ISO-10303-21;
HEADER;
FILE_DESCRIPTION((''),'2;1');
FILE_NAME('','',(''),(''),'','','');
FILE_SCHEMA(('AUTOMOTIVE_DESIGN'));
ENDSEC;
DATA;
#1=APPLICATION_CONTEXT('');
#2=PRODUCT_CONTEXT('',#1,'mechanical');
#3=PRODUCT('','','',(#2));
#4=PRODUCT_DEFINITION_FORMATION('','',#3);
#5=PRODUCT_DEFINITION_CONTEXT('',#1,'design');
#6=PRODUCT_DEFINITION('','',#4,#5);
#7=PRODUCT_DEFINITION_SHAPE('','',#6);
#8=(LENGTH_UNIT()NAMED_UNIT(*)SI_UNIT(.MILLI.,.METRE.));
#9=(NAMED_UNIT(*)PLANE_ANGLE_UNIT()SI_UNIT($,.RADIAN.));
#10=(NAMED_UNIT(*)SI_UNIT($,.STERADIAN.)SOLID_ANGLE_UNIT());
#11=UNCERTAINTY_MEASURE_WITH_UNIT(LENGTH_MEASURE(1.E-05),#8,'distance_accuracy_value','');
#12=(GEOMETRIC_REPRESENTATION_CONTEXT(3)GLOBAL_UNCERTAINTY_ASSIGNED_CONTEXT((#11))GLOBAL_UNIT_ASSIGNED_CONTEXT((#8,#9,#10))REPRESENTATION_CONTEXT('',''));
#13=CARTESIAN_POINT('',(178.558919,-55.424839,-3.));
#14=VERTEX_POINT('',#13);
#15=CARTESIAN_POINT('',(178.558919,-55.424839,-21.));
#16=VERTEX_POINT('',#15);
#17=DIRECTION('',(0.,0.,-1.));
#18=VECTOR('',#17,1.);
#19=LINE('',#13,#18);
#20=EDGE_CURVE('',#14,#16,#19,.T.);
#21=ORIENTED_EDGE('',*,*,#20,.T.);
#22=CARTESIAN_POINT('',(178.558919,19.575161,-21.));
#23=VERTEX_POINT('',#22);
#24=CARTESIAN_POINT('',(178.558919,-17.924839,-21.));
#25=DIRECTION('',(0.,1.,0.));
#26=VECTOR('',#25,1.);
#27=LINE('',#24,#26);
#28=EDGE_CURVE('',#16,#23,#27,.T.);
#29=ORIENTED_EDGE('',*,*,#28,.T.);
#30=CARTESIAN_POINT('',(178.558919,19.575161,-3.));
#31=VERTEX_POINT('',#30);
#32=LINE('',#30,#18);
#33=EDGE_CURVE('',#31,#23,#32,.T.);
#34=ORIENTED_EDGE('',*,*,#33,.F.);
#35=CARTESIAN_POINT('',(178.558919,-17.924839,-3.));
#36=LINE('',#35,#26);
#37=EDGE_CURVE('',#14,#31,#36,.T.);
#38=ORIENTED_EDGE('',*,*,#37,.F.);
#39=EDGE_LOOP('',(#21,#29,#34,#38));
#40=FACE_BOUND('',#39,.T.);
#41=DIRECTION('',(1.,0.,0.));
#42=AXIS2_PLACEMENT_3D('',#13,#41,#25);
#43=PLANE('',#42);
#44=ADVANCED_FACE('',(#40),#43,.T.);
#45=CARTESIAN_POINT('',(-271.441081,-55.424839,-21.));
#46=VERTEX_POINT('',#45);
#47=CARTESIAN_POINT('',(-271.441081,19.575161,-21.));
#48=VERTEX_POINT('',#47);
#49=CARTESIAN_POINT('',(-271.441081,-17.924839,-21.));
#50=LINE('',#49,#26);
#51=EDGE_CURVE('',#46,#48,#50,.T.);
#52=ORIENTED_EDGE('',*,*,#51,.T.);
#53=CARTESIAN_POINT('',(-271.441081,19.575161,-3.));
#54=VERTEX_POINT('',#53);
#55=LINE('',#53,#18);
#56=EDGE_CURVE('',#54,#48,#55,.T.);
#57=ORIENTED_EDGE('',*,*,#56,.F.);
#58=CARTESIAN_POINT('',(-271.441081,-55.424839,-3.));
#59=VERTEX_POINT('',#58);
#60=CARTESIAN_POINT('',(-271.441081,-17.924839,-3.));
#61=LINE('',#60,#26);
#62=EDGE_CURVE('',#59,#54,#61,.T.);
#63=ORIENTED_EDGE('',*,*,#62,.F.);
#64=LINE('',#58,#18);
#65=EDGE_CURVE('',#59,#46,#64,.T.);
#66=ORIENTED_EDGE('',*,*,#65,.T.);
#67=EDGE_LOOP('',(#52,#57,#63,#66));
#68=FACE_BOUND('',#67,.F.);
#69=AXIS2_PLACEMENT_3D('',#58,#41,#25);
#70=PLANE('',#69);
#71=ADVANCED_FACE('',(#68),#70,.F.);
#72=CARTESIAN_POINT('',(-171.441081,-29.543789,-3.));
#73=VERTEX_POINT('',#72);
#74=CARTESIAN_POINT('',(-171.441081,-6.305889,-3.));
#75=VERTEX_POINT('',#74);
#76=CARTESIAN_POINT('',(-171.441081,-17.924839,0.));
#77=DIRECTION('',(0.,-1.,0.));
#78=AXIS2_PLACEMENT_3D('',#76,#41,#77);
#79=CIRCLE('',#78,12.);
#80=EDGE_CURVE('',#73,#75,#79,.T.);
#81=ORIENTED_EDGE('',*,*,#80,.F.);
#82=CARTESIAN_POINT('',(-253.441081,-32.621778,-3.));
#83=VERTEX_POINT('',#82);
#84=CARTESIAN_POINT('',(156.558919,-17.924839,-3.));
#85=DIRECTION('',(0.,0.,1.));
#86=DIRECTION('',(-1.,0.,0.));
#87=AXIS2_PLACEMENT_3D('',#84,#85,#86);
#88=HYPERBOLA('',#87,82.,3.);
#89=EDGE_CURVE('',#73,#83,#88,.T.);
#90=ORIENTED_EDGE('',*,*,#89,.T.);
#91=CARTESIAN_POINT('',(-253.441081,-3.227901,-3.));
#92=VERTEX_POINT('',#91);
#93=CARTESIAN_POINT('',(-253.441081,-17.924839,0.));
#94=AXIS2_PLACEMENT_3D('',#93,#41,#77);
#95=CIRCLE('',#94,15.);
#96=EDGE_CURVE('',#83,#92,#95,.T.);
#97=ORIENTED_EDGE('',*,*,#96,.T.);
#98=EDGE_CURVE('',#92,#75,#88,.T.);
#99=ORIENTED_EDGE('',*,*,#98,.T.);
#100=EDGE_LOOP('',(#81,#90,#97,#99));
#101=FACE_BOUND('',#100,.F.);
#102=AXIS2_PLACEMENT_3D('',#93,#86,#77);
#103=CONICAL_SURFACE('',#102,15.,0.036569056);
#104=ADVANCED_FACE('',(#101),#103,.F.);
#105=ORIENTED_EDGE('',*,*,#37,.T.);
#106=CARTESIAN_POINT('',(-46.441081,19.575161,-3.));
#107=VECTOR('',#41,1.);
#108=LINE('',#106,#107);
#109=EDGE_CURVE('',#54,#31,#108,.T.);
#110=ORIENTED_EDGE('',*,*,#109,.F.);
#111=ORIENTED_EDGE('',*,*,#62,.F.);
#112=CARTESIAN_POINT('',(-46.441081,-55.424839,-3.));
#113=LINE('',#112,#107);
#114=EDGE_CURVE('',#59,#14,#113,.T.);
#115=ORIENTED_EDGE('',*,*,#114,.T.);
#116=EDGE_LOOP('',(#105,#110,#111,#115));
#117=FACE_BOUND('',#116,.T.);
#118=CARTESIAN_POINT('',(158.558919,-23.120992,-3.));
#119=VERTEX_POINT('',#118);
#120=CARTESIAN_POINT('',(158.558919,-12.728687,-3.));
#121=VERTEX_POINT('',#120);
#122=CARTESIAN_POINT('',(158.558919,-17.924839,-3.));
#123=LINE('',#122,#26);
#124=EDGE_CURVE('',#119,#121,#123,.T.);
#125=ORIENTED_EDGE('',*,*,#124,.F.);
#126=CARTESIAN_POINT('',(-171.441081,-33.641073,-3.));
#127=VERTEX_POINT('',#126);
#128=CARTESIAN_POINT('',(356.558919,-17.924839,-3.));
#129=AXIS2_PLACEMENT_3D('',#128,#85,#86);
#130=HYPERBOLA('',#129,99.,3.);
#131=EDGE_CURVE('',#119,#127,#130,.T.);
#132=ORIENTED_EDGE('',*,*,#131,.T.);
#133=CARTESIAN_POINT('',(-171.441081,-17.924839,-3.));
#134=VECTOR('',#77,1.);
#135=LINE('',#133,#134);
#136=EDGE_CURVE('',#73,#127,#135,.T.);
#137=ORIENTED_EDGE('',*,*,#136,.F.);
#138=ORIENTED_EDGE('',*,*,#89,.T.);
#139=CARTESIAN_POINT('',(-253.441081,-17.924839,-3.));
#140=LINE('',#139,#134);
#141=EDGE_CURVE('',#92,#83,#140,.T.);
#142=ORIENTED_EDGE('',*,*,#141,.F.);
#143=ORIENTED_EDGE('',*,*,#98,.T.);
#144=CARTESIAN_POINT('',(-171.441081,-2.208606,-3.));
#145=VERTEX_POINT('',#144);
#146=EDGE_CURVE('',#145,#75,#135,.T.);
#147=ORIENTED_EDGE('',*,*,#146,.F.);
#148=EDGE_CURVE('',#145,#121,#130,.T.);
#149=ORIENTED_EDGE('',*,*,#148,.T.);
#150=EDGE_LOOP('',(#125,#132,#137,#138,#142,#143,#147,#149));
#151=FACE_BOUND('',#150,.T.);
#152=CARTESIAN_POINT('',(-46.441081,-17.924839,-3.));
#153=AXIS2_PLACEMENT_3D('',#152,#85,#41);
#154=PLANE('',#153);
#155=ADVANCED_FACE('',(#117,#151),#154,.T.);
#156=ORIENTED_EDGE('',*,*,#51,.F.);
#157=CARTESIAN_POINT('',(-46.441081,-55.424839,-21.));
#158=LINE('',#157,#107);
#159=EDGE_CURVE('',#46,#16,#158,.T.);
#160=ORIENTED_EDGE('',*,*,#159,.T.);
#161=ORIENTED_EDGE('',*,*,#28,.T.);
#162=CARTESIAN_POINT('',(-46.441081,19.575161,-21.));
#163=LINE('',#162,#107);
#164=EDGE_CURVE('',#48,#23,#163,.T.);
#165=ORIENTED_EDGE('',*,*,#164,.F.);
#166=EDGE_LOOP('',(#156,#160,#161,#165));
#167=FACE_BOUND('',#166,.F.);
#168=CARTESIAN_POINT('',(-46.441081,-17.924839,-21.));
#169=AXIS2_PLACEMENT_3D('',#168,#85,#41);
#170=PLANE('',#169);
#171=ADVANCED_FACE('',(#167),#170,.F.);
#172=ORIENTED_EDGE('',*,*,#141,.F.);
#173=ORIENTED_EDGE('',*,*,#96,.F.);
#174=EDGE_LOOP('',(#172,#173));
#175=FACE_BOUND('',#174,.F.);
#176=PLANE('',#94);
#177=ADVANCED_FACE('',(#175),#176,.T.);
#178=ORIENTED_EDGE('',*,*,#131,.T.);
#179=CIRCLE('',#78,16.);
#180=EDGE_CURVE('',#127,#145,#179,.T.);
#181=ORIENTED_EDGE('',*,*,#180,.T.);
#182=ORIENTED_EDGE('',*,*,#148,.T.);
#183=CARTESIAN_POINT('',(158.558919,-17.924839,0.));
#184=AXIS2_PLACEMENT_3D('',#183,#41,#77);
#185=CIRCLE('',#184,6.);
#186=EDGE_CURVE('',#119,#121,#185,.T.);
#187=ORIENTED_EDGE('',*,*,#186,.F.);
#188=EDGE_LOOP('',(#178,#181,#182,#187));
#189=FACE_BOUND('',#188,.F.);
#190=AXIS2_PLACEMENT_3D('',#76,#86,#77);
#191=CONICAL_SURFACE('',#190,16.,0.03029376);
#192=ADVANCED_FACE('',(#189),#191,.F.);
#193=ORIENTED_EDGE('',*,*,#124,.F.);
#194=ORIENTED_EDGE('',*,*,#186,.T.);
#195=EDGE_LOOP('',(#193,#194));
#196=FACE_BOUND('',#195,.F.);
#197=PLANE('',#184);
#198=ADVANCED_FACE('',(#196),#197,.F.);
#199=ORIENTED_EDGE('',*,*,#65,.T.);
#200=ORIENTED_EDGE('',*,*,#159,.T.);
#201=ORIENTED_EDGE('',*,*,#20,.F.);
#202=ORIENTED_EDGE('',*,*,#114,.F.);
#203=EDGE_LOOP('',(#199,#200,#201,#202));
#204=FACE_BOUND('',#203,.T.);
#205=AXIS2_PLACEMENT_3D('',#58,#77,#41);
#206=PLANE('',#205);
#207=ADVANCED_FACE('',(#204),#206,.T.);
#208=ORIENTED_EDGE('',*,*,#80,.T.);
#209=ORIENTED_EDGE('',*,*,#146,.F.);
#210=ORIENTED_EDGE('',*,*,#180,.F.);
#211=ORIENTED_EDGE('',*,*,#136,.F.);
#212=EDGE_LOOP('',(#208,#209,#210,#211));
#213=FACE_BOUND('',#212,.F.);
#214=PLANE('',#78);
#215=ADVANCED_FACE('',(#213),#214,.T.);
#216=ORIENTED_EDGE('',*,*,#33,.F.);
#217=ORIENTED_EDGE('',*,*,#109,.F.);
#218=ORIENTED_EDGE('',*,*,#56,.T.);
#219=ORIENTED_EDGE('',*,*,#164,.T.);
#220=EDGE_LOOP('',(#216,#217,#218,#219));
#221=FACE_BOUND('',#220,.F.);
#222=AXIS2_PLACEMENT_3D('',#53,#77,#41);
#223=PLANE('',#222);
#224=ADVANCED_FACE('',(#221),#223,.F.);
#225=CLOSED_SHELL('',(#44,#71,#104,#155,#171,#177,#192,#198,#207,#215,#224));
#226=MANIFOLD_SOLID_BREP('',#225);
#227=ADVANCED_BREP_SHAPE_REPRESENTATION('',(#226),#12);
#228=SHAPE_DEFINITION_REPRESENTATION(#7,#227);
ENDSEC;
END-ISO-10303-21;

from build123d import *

# Parameters (mm, degrees)
F1_START = -3
F0_W     = 450
F0_H     = 75
F1_DEPTH = 18


with BuildPart() as f1:
    # F0 (on Top) → F1 (new body)
    with BuildSketch(Plane.XY.offset(F1_START)):
        with Locations((-46.441080947, -17.9248391946)):
            Rectangle(F0_W, F0_H)
        Polygon((-253.441080947, -32.9248391946), (-253.441080947, -17.9248391946), (158.558919053, -17.9248391946), (158.558919053, -23.9248391946), (-171.441080947, -33.9248391946), (-171.441080947, -29.9248391946), align=None, mode=Mode.SUBTRACT)
        Polygon((158.558919053, -17.9248391946), (-253.441080947, -17.9248391946), (-253.441080947, -32.9248391946), (-171.441080947, -29.9248391946), (-171.441080947, -33.9248391946), (158.558919053, -23.9248391946), align=None)
    extrude(amount=-F1_DEPTH)

    # F0 (on Top) → F2 (revolve, cut)
    with BuildSketch(Plane.XY):
        Polygon((158.558919053, -17.9248391946), (-253.441080947, -17.9248391946), (-253.441080947, -32.9248391946), (-171.441080947, -29.9248391946), (-171.441080947, -33.9248391946), (158.558919053, -23.9248391946), align=None)
    revolve(axis=Axis((12.0760278615, -17.9248391946, 0), (1, 0, 0)), mode=Mode.SUBTRACT)


solid = f1.part
